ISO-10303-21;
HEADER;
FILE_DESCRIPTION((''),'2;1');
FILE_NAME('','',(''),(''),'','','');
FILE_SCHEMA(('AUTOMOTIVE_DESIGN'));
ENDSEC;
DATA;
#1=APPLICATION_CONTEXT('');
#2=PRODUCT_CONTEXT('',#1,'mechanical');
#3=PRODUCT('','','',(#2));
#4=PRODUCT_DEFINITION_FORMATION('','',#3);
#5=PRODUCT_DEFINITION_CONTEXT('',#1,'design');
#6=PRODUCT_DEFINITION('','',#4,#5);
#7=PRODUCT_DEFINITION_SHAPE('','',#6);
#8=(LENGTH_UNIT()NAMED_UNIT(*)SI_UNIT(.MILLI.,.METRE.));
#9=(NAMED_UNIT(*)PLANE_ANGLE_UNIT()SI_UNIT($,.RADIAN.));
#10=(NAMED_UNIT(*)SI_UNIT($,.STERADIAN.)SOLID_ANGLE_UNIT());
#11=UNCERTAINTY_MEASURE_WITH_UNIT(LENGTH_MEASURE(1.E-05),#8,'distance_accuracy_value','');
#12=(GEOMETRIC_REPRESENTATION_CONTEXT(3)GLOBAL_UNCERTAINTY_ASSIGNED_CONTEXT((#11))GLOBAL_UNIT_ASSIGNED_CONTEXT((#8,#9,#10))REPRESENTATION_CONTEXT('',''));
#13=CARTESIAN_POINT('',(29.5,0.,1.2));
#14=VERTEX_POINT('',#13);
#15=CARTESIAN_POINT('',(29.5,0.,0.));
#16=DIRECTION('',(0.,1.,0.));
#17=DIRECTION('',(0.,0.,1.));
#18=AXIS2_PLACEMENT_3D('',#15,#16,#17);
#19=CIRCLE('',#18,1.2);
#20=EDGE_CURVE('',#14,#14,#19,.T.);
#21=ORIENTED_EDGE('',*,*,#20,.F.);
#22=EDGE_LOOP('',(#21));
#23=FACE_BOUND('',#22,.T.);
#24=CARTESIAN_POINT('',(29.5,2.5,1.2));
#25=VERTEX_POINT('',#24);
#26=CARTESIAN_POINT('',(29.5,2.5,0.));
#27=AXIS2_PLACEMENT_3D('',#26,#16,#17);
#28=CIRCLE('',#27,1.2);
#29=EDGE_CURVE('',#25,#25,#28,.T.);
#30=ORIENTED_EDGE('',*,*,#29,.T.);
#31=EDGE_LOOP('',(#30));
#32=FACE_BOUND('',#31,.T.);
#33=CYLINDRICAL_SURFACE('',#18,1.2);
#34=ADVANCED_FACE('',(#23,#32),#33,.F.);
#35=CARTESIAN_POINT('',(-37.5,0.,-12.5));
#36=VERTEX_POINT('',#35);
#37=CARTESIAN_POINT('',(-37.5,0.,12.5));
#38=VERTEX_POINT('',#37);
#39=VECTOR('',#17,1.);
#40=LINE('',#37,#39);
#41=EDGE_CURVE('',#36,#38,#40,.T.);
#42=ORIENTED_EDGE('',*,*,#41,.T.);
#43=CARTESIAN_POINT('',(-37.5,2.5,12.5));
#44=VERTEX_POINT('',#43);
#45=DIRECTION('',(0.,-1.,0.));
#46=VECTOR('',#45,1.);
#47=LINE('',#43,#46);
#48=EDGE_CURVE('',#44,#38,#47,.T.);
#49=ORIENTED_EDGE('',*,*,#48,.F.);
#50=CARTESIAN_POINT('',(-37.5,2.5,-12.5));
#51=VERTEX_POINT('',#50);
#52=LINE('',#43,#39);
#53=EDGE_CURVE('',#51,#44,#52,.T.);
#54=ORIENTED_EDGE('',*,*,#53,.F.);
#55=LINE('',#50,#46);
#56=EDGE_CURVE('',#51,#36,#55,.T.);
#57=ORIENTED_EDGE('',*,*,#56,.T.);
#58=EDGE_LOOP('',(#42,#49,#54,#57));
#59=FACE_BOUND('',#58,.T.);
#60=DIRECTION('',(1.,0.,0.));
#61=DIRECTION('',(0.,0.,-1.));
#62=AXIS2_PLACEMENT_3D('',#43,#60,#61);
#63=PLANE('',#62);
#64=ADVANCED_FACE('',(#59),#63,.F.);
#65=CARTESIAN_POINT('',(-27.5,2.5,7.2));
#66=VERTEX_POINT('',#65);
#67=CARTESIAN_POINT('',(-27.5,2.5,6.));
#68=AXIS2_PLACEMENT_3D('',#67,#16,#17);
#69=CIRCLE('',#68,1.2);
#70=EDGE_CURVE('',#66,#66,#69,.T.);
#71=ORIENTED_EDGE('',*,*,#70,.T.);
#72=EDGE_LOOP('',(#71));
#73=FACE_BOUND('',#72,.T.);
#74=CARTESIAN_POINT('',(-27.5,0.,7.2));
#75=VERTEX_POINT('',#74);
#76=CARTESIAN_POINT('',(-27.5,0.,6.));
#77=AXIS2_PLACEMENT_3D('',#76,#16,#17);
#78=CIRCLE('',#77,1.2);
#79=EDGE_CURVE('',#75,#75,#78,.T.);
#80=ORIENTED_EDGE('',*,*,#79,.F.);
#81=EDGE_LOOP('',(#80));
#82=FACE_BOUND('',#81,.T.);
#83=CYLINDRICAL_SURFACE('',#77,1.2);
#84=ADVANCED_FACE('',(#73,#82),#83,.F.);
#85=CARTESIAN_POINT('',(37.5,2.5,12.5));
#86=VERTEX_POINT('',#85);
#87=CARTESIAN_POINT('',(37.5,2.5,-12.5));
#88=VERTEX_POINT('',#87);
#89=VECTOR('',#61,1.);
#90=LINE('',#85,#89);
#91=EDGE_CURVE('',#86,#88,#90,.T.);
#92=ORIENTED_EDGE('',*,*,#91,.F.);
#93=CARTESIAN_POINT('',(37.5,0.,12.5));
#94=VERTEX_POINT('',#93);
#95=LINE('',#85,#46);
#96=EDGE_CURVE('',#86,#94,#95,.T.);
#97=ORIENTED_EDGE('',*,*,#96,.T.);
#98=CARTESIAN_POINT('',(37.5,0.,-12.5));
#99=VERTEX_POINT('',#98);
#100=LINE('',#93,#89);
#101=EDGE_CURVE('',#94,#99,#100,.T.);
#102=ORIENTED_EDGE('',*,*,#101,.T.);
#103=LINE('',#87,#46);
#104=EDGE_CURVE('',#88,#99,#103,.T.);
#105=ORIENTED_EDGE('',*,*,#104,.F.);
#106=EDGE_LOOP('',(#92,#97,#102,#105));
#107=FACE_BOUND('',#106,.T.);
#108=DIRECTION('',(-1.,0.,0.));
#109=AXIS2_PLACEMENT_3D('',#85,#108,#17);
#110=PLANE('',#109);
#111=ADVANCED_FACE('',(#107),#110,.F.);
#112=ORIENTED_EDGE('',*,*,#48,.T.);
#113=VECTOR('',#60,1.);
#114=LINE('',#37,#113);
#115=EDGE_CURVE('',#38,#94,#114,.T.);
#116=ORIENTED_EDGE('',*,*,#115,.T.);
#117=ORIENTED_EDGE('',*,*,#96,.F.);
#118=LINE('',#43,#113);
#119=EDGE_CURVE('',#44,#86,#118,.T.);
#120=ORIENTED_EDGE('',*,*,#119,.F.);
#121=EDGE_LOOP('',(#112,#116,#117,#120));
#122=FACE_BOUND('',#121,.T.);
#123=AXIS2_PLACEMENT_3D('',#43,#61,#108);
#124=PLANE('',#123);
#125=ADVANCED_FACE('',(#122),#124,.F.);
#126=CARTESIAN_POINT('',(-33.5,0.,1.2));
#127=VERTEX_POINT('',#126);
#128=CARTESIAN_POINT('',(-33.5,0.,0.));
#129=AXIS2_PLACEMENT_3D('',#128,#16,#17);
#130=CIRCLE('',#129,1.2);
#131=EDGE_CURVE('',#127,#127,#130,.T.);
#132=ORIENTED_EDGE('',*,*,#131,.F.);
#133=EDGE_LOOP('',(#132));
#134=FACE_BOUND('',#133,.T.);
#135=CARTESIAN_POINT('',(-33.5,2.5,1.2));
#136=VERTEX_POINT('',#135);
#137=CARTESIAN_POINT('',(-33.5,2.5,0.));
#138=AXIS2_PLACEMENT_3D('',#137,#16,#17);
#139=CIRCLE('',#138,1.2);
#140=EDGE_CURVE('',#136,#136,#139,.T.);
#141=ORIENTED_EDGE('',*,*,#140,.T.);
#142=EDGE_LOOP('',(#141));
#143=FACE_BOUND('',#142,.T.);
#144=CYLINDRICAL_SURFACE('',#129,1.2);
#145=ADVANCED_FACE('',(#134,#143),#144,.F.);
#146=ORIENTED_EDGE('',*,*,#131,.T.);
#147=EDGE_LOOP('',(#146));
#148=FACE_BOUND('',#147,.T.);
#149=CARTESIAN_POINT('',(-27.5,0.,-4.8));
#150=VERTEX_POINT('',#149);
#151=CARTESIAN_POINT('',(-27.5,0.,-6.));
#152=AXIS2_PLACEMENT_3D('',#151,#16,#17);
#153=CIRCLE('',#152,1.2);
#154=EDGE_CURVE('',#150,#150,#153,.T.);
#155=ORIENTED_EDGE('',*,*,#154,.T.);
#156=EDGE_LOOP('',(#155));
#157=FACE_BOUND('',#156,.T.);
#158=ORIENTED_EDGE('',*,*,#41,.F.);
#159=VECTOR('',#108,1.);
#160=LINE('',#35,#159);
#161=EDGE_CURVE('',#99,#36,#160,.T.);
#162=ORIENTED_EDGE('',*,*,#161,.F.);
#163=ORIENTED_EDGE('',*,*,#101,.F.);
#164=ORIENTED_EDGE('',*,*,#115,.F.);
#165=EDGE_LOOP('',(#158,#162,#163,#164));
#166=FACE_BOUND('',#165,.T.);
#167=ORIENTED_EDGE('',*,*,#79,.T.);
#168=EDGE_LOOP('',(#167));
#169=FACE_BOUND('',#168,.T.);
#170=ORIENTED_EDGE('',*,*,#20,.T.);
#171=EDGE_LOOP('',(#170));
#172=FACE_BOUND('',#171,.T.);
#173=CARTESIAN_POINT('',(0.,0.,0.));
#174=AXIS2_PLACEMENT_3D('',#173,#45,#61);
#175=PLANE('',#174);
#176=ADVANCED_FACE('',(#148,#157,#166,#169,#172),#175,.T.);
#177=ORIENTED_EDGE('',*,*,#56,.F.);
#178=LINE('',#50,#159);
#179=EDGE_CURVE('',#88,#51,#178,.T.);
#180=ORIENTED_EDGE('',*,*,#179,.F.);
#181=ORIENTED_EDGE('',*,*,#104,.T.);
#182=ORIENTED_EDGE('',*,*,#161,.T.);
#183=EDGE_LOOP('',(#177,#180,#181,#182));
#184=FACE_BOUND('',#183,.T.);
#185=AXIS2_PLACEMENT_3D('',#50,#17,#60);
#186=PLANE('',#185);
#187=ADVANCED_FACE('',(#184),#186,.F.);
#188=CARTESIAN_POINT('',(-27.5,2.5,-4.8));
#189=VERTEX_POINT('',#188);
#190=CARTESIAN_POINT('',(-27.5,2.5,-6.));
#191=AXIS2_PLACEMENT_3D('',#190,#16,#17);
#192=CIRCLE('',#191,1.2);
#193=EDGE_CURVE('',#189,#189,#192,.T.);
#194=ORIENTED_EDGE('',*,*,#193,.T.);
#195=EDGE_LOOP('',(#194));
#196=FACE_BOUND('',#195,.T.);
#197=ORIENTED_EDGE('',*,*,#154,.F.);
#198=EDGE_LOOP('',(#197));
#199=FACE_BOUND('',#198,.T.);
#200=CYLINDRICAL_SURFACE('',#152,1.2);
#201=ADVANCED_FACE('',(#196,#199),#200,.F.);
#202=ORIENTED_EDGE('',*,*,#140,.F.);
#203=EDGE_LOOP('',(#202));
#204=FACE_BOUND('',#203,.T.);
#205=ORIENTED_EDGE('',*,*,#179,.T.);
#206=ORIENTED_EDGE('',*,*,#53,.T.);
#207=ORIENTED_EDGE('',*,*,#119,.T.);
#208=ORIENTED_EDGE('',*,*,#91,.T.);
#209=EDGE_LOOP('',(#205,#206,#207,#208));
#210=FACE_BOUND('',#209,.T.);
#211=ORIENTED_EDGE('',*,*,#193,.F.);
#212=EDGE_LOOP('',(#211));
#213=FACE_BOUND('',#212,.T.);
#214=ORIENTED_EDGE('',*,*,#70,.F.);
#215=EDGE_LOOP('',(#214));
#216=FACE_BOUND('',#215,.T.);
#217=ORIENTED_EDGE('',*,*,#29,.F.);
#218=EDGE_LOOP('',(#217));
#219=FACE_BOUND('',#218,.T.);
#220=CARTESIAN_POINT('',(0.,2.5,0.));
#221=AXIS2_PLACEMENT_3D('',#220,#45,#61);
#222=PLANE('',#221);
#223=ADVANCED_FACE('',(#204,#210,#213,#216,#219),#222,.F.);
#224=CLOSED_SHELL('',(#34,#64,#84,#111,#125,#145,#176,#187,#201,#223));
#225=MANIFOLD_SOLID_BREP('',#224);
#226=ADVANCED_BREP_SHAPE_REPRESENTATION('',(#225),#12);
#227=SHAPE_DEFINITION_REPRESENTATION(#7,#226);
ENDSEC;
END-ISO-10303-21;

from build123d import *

# Parameters (mm, degrees)
SKETCH1_W           = 75
SKETCH1_H           = 25
BOSS_EXTRUDE1_DEPTH = 2.5
SKETCH2_R           = 1.2
CUT_EXTRUDE1_DEPTH  = 3.5


with BuildPart() as part:
    # Sketch1 → Boss-Extrude1 (new body)
    with BuildSketch(Plane(origin=(0, 0, 0), x_dir=(1, 0, 0), z_dir=(0, 1, 0))):
        Rectangle(SKETCH1_W, SKETCH1_H)
    extrude(amount=BOSS_EXTRUDE1_DEPTH)

    # Sketch2 → Cut-Extrude1 (cut, through all)
    with BuildSketch(Plane(origin=(0, 2.5, 0), x_dir=(1, 0, 0), z_dir=(0, 1, 0))):
        with Locations((-33.5, 0)):
            Circle(SKETCH2_R)
        with Locations((-27.5, 6)):
            Circle(SKETCH2_R)
        with Locations((-27.5, -6)):
            Circle(SKETCH2_R)
        with Locations((29.5, 0)):
            Circle(SKETCH2_R)
    extrude(amount=-CUT_EXTRUDE1_DEPTH, mode=Mode.SUBTRACT)


solid = part.part
